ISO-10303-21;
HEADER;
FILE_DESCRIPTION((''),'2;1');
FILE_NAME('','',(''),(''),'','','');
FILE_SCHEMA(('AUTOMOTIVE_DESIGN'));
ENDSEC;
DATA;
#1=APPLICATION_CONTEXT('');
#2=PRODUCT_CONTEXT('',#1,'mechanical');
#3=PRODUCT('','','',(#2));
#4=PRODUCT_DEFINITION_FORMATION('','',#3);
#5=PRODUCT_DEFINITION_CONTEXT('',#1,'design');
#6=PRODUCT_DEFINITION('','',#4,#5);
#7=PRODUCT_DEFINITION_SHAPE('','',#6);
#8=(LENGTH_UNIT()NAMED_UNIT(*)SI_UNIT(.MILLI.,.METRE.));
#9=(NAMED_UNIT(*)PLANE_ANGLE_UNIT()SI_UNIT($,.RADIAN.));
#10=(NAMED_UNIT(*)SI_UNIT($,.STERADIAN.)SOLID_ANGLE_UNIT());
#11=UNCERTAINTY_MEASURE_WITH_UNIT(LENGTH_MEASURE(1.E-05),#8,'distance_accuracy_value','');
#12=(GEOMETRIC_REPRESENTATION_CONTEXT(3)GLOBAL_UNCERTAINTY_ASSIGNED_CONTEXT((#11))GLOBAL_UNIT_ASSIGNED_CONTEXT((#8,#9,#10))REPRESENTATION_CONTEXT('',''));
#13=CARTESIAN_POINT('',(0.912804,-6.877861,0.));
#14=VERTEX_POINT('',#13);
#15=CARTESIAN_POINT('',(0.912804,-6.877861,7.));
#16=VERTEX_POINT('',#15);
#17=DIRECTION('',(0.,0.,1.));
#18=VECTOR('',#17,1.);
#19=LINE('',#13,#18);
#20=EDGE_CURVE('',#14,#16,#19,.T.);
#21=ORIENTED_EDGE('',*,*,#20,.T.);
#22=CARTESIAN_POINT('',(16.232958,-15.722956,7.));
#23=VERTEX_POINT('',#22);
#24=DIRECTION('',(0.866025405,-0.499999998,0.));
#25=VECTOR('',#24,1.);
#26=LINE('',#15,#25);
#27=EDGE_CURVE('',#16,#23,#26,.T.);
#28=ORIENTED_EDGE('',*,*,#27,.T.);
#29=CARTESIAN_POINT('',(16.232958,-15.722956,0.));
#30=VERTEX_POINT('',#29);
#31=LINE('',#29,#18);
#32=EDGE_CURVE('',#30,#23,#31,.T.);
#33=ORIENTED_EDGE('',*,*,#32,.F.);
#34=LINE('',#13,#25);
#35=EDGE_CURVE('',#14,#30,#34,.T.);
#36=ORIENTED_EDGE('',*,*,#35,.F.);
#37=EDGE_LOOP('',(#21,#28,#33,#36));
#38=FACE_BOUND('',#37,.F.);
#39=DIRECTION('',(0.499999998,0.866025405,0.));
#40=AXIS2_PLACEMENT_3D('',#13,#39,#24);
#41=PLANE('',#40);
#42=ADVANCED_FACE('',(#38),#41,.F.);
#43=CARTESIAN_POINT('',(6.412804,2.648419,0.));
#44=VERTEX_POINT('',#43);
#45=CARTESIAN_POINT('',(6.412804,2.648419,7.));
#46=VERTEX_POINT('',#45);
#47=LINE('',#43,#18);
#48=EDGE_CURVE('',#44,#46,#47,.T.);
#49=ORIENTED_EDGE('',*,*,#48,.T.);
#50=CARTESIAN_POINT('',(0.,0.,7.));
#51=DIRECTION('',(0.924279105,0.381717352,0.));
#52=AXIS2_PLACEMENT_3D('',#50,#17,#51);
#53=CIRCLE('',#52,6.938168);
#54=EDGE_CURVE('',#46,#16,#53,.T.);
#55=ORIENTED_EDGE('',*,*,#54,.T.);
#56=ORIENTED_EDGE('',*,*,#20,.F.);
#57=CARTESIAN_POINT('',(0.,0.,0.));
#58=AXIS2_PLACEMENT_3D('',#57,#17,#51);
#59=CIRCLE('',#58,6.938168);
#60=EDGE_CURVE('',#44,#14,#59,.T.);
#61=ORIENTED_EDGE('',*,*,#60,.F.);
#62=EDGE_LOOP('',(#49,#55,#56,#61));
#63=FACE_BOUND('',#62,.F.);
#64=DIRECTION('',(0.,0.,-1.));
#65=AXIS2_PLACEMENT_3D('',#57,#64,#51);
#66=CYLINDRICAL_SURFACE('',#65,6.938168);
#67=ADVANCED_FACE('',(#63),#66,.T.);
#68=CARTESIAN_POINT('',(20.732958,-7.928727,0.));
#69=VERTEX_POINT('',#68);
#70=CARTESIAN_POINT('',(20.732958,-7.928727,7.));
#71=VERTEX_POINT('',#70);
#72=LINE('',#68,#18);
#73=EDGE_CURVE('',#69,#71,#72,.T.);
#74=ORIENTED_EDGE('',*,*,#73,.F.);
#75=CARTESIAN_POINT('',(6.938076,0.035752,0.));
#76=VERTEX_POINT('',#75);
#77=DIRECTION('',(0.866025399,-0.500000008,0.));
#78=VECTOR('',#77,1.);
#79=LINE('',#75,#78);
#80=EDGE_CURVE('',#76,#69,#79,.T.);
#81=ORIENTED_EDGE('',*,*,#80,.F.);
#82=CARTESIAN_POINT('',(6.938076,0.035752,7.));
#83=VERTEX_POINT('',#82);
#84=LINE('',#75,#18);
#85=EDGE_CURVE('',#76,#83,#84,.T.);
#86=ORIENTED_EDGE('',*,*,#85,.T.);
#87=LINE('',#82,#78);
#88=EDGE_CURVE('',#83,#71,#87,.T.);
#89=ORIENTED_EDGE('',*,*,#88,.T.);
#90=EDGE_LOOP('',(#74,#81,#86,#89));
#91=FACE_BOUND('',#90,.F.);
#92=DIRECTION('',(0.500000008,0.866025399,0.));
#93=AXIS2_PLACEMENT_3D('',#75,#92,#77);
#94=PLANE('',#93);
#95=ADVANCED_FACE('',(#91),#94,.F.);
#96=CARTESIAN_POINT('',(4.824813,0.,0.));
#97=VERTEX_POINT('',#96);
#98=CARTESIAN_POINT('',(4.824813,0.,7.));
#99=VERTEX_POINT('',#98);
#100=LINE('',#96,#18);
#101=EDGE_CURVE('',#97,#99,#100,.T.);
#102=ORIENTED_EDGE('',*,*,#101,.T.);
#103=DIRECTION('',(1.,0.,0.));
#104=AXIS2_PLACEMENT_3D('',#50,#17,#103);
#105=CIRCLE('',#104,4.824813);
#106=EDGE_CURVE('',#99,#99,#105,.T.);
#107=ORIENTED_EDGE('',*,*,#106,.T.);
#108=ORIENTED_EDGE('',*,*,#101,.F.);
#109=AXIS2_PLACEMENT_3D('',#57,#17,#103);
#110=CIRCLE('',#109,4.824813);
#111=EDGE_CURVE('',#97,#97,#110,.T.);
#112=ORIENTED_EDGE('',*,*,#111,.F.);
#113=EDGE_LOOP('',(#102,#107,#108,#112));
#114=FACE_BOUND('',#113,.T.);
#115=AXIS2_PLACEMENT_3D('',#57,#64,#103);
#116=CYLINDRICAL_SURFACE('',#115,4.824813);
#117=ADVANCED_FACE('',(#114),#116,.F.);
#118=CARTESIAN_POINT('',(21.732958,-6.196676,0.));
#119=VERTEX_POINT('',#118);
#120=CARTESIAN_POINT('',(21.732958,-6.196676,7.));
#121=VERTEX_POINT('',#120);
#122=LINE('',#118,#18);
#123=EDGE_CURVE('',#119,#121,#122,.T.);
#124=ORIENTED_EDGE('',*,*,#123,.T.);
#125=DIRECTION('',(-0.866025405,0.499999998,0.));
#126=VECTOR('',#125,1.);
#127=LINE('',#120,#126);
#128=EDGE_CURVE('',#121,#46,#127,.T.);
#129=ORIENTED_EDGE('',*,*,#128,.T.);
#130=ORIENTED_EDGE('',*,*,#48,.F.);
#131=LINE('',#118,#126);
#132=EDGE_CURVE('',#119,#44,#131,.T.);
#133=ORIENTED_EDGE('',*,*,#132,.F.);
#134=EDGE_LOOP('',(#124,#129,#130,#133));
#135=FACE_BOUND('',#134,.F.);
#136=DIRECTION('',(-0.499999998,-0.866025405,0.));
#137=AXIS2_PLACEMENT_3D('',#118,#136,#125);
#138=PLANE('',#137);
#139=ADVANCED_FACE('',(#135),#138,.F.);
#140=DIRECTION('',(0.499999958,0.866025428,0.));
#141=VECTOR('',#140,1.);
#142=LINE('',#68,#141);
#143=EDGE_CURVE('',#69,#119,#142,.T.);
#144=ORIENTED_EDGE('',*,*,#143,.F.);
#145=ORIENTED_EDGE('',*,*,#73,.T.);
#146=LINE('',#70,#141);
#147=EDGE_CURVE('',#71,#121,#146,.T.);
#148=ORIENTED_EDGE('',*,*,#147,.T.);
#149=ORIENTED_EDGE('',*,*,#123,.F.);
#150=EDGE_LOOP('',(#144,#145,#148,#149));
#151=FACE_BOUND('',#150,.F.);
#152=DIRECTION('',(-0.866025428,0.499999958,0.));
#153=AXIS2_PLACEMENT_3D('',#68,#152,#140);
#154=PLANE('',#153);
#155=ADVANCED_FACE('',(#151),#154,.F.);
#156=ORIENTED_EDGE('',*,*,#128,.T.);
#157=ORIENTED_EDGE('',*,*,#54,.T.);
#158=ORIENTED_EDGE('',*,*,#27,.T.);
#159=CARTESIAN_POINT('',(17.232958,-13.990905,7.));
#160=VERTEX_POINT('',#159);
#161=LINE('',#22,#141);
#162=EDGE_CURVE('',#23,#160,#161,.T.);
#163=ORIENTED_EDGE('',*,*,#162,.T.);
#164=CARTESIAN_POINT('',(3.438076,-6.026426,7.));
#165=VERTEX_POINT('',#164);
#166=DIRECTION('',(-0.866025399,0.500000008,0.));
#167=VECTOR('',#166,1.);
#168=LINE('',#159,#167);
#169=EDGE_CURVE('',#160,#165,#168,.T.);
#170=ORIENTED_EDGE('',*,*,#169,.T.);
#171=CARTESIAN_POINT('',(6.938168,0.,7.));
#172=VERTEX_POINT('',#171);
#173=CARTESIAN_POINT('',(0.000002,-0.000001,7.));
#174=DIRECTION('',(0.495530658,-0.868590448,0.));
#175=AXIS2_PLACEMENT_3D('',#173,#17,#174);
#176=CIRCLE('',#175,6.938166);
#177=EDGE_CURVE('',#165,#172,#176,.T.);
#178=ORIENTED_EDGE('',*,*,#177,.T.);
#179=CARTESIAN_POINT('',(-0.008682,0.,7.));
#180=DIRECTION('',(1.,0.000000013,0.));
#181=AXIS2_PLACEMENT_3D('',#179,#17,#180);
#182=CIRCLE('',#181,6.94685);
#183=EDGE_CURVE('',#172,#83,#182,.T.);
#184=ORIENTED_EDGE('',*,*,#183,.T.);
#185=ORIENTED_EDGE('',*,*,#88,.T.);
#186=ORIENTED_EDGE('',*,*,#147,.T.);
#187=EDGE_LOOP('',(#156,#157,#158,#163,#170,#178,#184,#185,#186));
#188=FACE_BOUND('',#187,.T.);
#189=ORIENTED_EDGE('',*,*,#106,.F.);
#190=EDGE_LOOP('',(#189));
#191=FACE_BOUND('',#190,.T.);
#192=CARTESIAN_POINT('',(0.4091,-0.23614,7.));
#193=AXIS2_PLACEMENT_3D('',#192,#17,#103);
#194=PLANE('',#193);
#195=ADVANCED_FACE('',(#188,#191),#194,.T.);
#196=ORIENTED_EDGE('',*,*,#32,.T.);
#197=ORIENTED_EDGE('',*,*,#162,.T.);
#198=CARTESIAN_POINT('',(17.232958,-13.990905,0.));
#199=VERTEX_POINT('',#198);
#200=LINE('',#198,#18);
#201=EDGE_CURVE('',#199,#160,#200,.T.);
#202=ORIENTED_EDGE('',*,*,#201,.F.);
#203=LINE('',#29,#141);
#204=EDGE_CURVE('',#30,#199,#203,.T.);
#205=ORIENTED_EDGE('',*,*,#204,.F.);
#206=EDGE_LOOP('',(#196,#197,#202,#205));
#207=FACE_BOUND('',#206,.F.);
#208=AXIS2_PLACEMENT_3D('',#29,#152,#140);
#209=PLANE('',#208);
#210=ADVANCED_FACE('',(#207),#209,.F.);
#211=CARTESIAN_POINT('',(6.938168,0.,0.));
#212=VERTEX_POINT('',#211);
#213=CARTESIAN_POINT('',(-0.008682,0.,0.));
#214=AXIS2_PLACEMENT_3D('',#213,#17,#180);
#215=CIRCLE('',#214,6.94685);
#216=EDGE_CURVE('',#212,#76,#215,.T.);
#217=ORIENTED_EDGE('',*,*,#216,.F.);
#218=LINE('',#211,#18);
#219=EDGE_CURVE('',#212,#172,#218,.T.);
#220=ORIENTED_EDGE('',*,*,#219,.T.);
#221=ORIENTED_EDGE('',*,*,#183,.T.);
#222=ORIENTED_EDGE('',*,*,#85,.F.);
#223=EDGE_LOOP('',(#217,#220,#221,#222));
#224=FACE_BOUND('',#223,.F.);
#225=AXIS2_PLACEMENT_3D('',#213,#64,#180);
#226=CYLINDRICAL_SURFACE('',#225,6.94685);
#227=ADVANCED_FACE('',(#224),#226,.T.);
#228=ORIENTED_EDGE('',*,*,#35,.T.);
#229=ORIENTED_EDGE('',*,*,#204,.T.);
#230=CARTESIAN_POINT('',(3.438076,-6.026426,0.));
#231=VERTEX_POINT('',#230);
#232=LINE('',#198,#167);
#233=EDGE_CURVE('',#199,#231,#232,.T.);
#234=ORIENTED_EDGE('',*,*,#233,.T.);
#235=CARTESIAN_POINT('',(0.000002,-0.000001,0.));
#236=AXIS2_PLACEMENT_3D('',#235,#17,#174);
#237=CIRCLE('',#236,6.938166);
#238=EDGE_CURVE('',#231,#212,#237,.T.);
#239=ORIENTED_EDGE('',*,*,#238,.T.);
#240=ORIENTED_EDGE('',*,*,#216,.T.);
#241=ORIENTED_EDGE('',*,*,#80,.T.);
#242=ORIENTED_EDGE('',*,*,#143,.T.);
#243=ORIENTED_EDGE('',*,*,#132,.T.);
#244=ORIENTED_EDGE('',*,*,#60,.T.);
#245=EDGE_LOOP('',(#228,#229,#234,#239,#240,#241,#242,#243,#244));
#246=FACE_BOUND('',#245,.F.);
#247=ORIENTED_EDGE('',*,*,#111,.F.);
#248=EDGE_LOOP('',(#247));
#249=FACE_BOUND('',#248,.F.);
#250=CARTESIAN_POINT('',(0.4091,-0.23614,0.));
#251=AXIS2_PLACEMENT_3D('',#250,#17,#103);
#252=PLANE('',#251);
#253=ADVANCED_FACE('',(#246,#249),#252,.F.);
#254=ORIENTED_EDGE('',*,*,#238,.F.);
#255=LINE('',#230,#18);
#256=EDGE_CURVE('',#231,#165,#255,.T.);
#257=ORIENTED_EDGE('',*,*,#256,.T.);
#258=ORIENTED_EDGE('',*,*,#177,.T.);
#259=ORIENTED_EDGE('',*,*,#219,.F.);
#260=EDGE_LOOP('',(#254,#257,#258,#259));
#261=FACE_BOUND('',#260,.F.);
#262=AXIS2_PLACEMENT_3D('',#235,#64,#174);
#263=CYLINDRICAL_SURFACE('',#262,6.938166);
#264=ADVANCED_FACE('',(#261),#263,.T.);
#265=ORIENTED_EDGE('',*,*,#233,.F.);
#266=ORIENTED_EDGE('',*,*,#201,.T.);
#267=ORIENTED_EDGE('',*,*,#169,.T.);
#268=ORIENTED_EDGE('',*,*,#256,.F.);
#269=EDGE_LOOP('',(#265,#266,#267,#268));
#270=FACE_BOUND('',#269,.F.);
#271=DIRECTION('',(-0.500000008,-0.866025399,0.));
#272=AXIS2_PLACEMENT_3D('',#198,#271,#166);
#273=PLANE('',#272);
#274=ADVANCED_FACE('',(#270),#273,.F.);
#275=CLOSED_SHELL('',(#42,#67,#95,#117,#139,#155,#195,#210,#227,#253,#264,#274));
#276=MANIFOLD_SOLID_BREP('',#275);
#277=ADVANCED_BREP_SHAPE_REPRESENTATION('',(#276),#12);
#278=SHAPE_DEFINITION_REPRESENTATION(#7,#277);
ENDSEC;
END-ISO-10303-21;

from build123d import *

# Parameters (mm, degrees)
F0_R     = 4.824813
F1_DEPTH = 7


with BuildPart() as f1:
    # F0 (on Top) → F1 (new body)
    with BuildSketch(Plane.XY):
        with BuildLine():
            ThreePointArc((3.438076, -6.026426), (5.999672, -3.484554), (6.938168, 0))
            ThreePointArc((6.938168, 0), (6.938145, 0.017876), (6.938076, 0.035752))
            ThreePointArc((6.938076, 0.035752), (6.802059, 1.367542), (6.412804, 2.648419))
            ThreePointArc((6.412804, 2.648419), (-6.00863, 3.469084), (0.912804, -6.877861))
            ThreePointArc((0.912804, -6.877861), (2.216704, -6.574527), (3.438076, -6.026426))
        make_face()
        Circle(F0_R, mode=Mode.SUBTRACT)
        with BuildLine():
            Line((17.232958, -13.990905), (3.438076, -6.026426))
            ThreePointArc((3.438076, -6.026426), (2.216704, -6.574527), (0.912804, -6.877861))
            Line((0.912804, -6.877861), (16.232958, -15.722956))
            Line((16.232958, -15.722956), (17.232958, -13.990905))
        make_face()
        with BuildLine():
            ThreePointArc((6.412804, 2.648419), (6.802059, 1.367542), (6.938076, 0.035752))
            Line((6.938076, 0.035752), (20.732958, -7.928727))
            Line((20.732958, -7.928727), (21.732958, -6.196676))
            Line((21.732958, -6.196676), (6.412804, 2.648419))
        make_face()
    extrude(amount=F1_DEPTH)


solid = f1.part
